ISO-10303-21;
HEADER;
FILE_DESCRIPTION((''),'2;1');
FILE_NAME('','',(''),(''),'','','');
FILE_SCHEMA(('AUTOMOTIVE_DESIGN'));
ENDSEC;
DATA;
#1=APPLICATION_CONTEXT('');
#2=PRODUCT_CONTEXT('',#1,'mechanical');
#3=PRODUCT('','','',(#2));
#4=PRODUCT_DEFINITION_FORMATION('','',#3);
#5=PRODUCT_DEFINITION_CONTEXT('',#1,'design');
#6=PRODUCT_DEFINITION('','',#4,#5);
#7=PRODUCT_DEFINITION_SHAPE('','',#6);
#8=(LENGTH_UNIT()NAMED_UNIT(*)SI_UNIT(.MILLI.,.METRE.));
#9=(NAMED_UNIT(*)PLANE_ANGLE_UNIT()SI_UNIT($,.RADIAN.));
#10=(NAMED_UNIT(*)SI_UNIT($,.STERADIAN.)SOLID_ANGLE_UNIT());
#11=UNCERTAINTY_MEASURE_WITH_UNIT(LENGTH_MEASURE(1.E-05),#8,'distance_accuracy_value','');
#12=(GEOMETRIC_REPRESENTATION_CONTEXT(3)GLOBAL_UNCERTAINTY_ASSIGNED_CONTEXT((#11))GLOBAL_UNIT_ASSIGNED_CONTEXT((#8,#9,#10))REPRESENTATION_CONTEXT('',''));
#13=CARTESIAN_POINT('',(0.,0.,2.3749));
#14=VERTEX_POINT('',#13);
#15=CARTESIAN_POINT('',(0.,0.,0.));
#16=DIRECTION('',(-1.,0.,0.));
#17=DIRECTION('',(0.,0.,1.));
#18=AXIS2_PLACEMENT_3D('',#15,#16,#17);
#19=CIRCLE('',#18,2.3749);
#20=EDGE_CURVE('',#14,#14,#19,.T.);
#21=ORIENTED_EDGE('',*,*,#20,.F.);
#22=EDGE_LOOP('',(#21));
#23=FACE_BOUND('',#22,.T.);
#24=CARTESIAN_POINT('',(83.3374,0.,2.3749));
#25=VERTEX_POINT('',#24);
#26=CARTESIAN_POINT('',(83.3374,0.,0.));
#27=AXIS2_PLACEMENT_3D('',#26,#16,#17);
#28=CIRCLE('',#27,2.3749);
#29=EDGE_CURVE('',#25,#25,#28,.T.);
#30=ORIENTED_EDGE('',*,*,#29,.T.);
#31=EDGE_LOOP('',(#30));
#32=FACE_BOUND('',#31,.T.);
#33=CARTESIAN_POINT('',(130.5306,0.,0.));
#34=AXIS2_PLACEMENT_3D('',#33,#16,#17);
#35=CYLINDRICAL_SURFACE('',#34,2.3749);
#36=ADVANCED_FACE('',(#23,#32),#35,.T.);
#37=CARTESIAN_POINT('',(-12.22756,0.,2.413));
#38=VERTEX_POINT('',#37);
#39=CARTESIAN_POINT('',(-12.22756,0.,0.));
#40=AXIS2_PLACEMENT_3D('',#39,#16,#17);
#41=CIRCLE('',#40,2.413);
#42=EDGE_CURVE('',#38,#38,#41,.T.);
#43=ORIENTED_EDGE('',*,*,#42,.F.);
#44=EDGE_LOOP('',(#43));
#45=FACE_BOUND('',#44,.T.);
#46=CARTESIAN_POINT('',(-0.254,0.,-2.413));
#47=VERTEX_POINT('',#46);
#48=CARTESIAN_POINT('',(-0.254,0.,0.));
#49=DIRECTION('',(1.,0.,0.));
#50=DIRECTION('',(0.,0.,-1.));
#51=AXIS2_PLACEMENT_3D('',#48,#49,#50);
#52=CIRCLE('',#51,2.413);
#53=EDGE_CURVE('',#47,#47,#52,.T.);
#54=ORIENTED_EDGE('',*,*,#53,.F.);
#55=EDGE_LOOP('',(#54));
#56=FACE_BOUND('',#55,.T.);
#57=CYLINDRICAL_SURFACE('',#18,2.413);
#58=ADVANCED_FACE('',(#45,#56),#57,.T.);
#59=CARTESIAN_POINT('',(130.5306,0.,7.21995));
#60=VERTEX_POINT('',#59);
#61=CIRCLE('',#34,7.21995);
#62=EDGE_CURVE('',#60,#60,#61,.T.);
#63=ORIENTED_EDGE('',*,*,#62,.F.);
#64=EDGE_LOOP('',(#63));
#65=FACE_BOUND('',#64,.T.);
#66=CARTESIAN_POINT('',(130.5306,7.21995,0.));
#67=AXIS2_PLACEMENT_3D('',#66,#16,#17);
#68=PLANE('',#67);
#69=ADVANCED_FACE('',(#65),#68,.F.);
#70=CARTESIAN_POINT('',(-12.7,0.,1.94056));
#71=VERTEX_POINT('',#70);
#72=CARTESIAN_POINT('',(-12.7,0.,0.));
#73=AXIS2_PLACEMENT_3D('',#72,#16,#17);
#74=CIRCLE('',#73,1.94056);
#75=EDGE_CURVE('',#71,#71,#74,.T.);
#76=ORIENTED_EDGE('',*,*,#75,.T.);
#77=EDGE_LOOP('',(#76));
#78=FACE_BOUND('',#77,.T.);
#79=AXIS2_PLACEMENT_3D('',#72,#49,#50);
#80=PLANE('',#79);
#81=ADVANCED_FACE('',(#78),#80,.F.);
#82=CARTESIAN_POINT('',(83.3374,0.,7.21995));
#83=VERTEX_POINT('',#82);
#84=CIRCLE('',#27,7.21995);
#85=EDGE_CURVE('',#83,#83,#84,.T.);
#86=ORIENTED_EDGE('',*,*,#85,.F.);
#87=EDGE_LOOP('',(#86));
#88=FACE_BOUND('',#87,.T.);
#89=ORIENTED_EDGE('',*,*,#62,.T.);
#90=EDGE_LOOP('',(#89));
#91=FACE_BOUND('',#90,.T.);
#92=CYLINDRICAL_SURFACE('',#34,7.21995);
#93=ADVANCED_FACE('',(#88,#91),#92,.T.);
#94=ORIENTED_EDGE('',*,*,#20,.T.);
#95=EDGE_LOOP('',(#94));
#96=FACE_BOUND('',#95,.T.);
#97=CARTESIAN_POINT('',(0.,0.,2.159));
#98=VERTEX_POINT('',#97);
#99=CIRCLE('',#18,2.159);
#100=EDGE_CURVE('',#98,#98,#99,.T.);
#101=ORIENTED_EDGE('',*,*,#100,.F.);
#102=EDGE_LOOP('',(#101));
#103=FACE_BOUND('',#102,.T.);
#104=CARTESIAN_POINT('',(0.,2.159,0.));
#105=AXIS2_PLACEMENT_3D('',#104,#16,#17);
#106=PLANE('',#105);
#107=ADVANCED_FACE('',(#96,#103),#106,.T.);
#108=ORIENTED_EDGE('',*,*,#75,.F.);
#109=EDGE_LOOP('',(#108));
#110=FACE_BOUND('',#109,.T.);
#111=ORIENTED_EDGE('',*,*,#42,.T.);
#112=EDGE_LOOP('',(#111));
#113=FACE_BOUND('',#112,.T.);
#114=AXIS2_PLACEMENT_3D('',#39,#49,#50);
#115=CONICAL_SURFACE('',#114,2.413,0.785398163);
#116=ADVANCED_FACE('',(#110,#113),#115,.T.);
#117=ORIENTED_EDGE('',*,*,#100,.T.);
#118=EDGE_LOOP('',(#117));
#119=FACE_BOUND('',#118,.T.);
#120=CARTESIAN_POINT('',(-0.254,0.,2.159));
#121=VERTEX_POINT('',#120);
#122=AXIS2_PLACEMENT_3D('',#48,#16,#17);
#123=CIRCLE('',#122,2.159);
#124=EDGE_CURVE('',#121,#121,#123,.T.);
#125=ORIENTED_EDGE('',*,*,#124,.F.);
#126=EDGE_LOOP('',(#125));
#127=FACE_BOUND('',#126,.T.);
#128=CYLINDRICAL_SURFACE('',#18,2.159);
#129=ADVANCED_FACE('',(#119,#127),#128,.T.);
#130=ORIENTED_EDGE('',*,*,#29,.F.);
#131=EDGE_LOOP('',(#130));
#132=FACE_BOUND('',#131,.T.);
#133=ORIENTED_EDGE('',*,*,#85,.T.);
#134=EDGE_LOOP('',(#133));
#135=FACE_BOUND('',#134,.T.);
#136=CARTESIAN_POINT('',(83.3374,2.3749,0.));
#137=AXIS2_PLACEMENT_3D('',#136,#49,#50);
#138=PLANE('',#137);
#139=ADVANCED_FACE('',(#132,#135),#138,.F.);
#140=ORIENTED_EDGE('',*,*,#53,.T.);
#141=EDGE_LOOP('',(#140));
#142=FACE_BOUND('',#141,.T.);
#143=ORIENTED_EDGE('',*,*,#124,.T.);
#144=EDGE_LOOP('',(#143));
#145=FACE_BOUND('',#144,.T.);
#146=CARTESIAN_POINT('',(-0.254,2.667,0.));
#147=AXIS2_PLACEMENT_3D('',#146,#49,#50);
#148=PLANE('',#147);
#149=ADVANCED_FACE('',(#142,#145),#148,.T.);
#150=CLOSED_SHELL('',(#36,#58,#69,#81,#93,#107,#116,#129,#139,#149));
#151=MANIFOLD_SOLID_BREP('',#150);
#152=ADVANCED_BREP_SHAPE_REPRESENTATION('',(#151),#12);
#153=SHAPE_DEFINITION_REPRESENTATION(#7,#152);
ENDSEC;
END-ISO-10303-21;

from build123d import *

# Parameters (mm, degrees)
SKETCH3_W = 0.254
SKETCH3_H = 0.508


with BuildPart() as part:
    # Sketch1 → Revolve1 (revolve)
    with BuildSketch(Plane.XY):
        Polygon((0, 0), (0, 2.3749), (83.3374, 2.3749), (83.3374, 7.21995), (130.5306, 7.21995), (130.5306, 0), align=None)
    revolve(axis=Axis((130.5306, 0, 0), (-1, 0, 0)))

    # Sketch2 → Revolve2 (revolve)
    with BuildSketch(Plane.XY):
        Polygon((-12.7, 0), (-12.7, 1.94056), (-12.22756, 2.413), (0, 2.413), (0, 0), align=None)
    revolve(axis=Axis((0, 0, 0), (-1, 0, 0)))

    # Sketch3 → Cut-Revolve1 (revolve, cut)
    with BuildSketch(Plane.XY):
        with Locations((-0.127, 2.413)):
            Rectangle(SKETCH3_W, SKETCH3_H)
    revolve(axis=Axis((0, 0, 0), (-1, 0, 0)), mode=Mode.SUBTRACT)


solid = part.part
